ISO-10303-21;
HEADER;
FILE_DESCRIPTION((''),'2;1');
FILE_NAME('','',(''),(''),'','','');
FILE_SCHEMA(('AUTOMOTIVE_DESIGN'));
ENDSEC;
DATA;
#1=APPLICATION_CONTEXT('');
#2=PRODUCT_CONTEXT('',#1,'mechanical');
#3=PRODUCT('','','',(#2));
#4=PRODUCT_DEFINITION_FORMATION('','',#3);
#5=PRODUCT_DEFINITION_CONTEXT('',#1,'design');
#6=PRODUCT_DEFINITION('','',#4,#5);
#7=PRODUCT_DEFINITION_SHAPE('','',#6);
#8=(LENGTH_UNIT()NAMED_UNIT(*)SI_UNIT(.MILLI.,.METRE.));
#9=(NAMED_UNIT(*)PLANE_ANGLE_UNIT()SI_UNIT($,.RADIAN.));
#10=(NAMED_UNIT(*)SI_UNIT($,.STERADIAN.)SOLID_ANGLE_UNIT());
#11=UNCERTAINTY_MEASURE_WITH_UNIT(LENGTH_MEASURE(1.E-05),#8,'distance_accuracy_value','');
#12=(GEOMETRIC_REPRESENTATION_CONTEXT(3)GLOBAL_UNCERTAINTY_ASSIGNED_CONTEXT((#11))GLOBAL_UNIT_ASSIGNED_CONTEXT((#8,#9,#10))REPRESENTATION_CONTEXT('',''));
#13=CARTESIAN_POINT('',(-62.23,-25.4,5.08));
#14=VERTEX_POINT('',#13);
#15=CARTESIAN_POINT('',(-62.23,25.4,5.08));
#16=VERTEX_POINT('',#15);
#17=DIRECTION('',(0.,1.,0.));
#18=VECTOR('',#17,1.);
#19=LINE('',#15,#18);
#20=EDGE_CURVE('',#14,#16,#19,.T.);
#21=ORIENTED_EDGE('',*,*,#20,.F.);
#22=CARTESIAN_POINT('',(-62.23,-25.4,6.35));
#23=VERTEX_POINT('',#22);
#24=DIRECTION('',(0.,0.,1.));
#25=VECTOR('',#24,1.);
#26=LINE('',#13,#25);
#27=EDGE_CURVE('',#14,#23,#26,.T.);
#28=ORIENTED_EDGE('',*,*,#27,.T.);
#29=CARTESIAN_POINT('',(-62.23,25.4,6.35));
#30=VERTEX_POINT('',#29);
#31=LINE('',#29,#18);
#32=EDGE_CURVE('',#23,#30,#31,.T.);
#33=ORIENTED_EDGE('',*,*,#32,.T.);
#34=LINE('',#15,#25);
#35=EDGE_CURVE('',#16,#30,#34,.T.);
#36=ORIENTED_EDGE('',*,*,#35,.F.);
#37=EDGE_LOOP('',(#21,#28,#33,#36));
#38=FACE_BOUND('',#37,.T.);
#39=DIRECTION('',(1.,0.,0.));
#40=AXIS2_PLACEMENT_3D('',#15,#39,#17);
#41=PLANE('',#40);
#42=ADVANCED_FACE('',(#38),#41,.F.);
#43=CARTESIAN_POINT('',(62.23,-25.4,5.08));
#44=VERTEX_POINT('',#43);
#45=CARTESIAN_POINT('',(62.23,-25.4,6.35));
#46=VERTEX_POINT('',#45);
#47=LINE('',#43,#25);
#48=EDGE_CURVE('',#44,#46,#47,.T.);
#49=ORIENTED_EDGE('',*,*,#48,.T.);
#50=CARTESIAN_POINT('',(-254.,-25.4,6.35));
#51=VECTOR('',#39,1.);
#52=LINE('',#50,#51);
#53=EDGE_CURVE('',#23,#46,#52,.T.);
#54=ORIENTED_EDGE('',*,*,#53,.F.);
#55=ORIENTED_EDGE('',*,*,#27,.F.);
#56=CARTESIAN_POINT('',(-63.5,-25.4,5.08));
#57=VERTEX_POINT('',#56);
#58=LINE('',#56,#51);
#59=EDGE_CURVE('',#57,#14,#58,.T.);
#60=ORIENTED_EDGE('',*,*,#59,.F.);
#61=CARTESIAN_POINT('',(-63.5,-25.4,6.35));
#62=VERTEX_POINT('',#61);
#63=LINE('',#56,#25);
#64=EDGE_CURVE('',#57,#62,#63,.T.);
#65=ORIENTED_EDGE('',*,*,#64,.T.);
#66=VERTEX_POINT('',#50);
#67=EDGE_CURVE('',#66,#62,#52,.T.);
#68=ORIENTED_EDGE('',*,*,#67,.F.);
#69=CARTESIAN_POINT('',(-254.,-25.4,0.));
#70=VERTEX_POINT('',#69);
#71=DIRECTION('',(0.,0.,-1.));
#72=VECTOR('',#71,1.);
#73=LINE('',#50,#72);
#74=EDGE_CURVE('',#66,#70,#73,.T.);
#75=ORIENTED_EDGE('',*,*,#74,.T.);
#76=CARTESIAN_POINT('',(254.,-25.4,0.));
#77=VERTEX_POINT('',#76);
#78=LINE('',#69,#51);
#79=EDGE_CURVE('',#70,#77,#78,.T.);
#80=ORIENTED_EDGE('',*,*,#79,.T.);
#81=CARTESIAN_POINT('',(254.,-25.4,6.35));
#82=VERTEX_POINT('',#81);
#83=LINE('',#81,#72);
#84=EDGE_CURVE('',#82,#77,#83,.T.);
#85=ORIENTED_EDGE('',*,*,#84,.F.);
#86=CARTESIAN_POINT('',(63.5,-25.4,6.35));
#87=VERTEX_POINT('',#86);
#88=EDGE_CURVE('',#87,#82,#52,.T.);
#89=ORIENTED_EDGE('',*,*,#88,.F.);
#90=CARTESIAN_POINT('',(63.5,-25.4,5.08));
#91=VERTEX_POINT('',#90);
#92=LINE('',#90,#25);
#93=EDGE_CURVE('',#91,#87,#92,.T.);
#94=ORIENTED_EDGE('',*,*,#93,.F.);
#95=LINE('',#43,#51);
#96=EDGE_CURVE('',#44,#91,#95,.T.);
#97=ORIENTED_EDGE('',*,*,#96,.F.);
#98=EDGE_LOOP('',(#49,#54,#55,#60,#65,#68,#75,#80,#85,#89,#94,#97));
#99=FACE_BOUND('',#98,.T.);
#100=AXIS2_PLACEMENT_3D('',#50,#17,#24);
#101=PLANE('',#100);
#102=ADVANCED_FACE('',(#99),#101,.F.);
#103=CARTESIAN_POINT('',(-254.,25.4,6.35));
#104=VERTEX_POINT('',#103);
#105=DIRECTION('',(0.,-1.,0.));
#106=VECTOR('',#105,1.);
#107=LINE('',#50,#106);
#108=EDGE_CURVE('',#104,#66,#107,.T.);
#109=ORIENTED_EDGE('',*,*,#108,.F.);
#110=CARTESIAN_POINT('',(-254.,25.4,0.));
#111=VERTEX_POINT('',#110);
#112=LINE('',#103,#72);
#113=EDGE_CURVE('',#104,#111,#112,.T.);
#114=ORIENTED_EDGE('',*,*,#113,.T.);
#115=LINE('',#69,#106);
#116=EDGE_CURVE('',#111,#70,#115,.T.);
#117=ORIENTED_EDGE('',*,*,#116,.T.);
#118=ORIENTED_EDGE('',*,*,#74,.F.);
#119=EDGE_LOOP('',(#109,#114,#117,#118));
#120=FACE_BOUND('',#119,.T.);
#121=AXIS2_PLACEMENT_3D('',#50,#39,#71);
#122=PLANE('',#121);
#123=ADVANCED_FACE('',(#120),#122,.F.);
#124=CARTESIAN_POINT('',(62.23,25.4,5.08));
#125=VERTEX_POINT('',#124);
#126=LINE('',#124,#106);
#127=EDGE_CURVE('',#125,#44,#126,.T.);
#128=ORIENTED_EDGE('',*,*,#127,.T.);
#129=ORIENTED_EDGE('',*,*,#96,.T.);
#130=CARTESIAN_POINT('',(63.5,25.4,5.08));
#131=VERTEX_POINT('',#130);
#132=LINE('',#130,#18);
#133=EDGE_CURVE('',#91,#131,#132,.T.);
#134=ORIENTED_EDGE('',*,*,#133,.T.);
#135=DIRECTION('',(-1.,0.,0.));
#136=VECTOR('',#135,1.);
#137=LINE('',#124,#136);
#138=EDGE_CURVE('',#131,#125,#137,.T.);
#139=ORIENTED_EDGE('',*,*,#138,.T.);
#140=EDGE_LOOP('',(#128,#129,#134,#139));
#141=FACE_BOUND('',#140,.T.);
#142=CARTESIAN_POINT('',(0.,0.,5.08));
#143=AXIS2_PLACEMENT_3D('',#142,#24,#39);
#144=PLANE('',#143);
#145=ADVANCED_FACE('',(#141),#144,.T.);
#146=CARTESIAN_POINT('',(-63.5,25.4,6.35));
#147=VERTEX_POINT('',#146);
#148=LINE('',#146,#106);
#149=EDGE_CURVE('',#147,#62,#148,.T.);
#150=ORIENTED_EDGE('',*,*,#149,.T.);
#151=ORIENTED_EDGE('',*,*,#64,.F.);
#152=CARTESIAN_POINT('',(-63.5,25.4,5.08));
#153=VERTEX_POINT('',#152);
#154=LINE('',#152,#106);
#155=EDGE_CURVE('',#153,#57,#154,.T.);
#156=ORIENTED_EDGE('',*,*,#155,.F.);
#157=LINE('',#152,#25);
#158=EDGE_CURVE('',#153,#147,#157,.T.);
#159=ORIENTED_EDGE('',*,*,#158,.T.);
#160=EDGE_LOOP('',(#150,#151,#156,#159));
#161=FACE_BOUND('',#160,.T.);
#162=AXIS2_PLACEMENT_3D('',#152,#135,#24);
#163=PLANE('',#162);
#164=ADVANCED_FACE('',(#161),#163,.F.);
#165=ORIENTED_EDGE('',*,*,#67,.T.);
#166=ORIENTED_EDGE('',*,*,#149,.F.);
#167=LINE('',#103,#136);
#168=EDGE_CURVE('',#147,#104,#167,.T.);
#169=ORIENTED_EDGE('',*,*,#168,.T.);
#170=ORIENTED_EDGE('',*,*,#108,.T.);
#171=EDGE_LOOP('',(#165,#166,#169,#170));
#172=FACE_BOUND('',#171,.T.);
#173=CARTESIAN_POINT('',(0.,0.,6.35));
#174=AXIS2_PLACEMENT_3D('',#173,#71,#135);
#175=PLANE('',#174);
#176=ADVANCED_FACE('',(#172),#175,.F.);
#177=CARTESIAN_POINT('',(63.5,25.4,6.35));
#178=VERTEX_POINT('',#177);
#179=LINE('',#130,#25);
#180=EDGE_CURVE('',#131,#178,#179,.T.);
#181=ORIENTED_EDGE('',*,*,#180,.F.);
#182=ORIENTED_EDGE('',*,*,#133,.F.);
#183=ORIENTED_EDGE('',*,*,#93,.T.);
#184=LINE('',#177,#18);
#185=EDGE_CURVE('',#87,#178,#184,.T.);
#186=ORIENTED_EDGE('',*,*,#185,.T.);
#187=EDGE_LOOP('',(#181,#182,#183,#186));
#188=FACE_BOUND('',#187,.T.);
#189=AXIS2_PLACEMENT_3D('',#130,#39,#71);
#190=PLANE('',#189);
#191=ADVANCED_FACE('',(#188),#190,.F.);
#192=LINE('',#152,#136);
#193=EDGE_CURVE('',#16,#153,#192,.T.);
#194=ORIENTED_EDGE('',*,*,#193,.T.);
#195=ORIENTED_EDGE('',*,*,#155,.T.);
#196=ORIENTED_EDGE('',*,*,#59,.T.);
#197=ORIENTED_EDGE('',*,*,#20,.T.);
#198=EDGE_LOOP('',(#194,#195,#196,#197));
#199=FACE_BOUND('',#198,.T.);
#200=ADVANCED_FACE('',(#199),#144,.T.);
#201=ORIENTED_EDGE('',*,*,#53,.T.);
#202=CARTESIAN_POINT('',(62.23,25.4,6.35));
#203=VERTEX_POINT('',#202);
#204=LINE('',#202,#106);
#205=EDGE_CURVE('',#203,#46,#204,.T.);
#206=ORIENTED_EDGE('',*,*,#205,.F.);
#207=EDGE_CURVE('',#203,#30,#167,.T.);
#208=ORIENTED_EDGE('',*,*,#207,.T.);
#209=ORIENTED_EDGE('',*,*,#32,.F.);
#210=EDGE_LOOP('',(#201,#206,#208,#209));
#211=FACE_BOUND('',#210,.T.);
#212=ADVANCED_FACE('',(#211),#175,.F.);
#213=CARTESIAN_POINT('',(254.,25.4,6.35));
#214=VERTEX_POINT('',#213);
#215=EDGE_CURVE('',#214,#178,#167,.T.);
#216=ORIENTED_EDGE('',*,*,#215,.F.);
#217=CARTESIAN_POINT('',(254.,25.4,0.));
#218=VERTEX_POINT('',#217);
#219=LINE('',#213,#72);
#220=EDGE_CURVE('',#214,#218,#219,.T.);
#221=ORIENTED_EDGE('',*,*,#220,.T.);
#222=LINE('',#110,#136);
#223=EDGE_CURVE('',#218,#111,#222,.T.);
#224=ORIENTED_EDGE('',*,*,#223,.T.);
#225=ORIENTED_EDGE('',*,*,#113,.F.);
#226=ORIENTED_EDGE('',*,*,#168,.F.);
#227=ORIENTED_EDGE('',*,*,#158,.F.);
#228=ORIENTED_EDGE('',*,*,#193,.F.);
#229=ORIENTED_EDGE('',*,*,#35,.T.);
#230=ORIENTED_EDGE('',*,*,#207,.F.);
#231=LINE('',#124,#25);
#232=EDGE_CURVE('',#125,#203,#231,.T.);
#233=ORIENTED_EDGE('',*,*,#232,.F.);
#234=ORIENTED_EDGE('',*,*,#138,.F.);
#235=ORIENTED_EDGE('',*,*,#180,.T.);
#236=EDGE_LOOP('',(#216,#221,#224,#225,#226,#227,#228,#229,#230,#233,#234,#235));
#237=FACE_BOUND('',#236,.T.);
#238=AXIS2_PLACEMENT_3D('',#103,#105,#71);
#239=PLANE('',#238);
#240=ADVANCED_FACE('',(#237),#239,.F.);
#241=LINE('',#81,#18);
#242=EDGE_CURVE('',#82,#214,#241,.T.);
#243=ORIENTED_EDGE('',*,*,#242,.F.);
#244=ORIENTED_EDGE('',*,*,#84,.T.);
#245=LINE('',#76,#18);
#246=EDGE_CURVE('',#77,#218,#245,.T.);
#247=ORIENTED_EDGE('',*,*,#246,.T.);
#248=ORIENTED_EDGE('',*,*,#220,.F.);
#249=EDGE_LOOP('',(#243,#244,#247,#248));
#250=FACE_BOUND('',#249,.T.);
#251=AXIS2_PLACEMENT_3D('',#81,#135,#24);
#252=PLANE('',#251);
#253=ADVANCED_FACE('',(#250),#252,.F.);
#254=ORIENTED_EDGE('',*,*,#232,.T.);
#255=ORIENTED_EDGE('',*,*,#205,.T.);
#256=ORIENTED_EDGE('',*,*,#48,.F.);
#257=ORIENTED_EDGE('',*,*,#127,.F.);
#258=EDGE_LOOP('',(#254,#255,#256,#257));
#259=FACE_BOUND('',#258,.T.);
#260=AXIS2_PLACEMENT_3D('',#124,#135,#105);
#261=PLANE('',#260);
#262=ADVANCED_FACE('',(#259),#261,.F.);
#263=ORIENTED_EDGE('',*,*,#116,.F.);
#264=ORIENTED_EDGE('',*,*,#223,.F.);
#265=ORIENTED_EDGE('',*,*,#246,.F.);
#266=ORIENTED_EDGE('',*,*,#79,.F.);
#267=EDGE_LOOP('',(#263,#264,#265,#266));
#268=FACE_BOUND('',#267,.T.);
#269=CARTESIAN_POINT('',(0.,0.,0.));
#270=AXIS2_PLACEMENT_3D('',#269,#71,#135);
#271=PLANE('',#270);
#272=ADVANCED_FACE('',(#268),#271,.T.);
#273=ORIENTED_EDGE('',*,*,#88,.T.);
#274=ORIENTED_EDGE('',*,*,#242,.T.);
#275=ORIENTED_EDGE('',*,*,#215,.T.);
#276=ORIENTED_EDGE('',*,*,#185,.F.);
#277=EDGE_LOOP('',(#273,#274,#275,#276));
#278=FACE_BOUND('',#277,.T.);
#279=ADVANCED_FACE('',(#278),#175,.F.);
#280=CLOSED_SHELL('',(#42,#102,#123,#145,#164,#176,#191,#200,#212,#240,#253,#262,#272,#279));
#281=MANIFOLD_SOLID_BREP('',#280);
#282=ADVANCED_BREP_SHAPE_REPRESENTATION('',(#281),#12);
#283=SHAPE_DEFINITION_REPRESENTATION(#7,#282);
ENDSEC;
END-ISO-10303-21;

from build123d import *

# Parameters (mm, degrees)
SKETCH1_W           = 508
SKETCH1_H           = 50.8
BOSS_EXTRUDE1_DEPTH = 6.35
SKETCH2_W           = 1.27
SKETCH2_H           = 50.8
CUT_EXTRUDE1_DEPTH  = 1.27


with BuildPart() as part:
    # Sketch1 → Boss-Extrude1 (new body)
    with BuildSketch(Plane.XY):
        Rectangle(SKETCH1_W, SKETCH1_H)
    extrude(amount=BOSS_EXTRUDE1_DEPTH)

    # Sketch2 → Cut-Extrude1 (cut)
    with BuildSketch(Plane.XY.offset(6.35)):
        with Locations((-62.865, 0)):
            Rectangle(SKETCH2_W, SKETCH2_H)
        with Locations((62.865, 0)):
            Rectangle(SKETCH2_W, SKETCH2_H)
    extrude(amount=-CUT_EXTRUDE1_DEPTH, mode=Mode.SUBTRACT)


solid = part.part
